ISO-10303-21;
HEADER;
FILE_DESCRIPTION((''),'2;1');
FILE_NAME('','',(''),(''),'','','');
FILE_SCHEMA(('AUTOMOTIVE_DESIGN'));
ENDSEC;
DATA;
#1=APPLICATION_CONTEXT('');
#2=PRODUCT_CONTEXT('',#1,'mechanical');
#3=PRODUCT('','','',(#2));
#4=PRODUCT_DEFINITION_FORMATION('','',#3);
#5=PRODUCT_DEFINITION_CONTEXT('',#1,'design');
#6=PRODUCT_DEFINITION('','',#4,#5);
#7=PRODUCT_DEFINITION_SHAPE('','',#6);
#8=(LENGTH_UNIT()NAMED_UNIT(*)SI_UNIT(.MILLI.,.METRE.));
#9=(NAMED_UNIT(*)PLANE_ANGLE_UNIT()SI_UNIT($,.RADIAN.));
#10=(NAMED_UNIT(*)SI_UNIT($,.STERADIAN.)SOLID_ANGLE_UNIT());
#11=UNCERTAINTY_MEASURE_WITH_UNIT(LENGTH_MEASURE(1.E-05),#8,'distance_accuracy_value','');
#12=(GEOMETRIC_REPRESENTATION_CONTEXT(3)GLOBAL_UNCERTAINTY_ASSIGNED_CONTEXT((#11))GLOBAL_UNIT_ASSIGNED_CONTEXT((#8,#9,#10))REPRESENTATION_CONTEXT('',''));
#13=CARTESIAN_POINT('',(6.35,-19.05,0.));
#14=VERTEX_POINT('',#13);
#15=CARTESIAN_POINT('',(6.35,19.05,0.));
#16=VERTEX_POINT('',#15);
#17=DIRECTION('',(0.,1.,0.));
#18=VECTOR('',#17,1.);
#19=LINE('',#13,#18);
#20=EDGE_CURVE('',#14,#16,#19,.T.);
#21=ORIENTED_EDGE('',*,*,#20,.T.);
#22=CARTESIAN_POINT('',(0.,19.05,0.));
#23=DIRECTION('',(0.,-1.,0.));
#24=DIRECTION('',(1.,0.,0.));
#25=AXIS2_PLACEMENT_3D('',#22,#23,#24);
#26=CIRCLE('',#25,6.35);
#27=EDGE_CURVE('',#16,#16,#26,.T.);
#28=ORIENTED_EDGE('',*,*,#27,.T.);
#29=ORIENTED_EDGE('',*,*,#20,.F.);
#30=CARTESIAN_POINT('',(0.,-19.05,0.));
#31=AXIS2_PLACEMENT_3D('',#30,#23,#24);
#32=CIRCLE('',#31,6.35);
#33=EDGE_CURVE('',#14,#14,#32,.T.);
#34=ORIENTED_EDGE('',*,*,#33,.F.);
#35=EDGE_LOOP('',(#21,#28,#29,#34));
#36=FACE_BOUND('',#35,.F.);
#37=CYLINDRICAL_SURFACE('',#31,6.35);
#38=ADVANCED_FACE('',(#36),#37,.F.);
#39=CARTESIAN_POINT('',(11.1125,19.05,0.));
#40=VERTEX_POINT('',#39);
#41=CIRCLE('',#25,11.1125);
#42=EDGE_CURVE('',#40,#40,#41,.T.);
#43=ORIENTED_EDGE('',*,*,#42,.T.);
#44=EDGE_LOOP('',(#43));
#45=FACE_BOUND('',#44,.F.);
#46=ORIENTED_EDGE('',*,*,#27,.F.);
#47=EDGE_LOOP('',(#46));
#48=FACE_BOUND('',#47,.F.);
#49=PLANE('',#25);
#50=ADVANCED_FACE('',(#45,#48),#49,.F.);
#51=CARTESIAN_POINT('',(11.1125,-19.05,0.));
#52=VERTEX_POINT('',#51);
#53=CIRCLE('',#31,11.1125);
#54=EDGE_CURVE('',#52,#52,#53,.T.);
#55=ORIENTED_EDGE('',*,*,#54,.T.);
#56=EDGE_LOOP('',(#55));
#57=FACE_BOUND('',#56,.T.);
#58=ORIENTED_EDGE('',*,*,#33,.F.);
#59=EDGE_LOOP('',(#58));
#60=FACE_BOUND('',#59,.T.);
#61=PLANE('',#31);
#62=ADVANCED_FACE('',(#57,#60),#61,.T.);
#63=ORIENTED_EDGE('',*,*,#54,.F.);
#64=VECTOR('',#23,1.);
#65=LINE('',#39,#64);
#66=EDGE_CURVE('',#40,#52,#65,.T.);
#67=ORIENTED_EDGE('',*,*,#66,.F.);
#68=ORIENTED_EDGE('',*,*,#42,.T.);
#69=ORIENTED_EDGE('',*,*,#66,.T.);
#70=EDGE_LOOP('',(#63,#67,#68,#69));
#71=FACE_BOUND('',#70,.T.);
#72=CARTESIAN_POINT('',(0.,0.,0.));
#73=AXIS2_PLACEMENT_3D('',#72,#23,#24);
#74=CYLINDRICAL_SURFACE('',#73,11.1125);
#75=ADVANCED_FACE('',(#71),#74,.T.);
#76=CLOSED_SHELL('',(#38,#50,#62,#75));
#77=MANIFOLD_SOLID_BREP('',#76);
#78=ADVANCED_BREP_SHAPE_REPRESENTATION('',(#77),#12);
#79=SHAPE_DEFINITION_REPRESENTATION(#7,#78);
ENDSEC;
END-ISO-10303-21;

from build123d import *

# Parameters (mm, degrees)
F0_R     = 11.1125
F1_DEPTH = 19.05
F2_R     = 6.35
F3_DEPTH = 38.101


with BuildPart() as f1:
    # F0 (on Front) → F1 (new body, symmetric)
    with BuildSketch(Plane.XZ):
        Circle(F0_R)
    extrude(amount=F1_DEPTH, both=True)

    # F2 (on face) → F3 (cut, through all)
    with BuildSketch(Plane.XZ.offset(19.05)):
        Circle(F2_R)
    extrude(amount=-F3_DEPTH, mode=Mode.SUBTRACT)


solid = f1.part
